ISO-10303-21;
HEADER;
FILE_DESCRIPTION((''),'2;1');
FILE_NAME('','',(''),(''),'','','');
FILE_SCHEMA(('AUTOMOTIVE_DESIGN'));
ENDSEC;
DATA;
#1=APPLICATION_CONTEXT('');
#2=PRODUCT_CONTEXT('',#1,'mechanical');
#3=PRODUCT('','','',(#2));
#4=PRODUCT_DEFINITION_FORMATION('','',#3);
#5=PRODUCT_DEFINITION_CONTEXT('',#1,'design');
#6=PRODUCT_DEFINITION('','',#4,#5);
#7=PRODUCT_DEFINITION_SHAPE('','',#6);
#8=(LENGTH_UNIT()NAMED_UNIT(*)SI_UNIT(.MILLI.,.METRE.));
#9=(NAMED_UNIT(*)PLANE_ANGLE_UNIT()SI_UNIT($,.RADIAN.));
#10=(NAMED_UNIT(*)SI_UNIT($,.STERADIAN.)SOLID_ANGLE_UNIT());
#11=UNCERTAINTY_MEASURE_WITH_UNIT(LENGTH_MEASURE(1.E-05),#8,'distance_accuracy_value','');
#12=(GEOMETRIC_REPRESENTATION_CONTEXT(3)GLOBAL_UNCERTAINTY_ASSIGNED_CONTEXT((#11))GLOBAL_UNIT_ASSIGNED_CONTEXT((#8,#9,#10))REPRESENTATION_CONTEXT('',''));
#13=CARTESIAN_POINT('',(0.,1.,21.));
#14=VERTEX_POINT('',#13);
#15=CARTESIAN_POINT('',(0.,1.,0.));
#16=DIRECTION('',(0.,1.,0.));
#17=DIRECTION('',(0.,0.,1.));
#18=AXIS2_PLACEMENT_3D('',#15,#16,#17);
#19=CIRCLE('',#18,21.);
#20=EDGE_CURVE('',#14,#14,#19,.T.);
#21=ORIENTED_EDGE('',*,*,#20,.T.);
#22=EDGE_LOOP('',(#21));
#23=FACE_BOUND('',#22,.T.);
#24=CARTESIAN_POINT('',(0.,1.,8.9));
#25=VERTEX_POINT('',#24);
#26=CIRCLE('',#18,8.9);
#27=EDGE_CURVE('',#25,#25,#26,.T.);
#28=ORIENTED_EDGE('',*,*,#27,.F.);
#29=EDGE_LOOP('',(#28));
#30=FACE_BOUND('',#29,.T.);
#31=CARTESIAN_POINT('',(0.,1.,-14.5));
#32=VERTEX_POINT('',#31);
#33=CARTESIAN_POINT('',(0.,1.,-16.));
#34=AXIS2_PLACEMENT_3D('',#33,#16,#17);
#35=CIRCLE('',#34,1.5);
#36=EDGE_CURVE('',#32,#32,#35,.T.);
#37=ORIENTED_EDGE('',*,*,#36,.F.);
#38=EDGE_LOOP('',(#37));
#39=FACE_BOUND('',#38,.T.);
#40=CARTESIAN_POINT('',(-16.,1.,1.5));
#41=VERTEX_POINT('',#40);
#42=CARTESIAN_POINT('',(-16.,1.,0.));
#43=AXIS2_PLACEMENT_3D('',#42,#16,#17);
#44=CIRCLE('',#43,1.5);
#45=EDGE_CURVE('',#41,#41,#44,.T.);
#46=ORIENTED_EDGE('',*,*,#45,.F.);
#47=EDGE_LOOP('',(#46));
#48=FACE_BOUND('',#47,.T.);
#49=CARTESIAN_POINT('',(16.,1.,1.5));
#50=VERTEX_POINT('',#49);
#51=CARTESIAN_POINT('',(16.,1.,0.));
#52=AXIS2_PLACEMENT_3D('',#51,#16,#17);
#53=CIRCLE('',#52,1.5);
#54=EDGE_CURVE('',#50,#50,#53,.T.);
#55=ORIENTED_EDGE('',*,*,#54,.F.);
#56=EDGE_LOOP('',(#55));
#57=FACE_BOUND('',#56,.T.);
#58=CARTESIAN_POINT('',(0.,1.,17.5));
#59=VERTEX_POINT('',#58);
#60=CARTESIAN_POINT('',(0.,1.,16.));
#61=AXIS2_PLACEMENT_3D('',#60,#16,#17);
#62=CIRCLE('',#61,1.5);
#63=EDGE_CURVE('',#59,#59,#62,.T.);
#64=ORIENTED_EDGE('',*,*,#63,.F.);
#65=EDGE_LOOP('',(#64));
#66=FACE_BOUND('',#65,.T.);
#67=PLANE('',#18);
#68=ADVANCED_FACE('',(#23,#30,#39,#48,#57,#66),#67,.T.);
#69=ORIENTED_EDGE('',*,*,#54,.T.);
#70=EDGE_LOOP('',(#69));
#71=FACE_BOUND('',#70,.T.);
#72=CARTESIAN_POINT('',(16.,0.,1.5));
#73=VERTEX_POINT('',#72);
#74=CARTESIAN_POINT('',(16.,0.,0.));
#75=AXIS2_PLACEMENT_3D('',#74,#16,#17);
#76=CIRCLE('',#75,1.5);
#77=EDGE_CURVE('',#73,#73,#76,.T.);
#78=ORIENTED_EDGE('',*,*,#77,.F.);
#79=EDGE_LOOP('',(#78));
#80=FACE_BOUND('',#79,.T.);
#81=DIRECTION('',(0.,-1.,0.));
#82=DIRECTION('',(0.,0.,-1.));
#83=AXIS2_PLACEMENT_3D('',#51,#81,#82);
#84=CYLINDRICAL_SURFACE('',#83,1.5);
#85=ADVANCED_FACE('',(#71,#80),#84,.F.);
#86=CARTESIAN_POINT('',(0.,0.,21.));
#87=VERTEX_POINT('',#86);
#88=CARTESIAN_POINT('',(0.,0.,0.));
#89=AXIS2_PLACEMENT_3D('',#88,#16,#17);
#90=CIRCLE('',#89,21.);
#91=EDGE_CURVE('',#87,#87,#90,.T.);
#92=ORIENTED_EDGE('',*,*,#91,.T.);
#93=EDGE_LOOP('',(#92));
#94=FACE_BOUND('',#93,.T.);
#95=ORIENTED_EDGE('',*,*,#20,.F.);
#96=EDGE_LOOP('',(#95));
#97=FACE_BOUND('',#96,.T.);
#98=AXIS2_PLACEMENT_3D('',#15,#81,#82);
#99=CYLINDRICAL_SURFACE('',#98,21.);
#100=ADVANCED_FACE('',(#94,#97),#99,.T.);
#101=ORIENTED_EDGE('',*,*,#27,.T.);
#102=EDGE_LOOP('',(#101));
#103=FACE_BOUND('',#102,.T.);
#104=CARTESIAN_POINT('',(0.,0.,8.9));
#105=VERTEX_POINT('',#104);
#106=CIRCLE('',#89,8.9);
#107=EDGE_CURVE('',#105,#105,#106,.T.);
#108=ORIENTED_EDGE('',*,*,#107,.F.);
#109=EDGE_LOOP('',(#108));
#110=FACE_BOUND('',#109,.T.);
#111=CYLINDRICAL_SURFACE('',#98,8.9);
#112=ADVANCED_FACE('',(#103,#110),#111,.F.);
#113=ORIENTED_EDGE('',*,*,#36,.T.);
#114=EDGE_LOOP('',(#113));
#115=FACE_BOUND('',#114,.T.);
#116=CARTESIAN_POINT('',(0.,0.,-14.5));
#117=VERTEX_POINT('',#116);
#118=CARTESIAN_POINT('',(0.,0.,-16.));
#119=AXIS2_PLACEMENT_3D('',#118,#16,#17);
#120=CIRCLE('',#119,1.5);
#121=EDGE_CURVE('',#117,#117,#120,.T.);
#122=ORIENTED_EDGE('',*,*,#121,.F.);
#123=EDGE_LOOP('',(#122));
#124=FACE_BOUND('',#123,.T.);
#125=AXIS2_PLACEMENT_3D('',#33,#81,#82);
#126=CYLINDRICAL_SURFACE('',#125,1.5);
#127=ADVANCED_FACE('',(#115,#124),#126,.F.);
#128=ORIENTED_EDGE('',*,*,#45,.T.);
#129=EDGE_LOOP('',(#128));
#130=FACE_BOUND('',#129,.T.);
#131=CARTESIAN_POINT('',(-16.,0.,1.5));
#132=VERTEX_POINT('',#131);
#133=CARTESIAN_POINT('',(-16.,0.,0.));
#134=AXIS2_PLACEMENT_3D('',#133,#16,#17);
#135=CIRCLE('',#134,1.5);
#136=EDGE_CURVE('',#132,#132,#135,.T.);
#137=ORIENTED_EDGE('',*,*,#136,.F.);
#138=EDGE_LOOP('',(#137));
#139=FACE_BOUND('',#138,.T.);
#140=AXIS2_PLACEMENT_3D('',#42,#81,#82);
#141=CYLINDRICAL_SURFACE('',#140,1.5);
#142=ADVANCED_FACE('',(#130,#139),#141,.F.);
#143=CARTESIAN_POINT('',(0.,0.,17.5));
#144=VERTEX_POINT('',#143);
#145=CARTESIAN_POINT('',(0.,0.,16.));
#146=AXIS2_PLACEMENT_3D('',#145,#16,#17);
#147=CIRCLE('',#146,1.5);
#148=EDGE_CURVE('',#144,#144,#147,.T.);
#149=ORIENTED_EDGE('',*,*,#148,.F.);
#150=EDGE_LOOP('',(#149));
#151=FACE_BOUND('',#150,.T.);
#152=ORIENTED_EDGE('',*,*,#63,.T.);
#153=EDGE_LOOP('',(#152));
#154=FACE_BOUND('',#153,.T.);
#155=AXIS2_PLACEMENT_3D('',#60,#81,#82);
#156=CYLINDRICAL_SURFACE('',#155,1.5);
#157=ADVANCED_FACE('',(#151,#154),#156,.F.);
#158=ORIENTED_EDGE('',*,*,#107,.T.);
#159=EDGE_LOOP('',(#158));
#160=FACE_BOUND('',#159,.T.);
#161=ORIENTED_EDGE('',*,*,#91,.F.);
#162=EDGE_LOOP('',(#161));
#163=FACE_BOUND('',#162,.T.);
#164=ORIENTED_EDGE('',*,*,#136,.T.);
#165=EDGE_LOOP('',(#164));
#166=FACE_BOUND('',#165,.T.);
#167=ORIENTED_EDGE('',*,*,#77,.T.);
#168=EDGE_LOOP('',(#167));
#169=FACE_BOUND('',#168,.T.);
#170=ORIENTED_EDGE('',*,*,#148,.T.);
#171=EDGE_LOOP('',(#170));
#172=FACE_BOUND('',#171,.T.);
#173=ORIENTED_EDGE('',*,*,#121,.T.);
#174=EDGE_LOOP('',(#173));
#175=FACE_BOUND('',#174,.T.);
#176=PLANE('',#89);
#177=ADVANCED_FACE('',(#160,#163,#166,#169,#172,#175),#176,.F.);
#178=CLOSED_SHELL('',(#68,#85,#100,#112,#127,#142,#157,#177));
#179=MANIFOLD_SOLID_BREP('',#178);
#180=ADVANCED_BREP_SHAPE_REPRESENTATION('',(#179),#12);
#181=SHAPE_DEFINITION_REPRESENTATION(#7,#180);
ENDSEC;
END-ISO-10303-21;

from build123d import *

# Parameters (mm, degrees)
SKETCH1_R           = 21
SKETCH1_R_2         = 8.9
SKETCH1_R_3         = 1.5
BOSS_EXTRUDE1_DEPTH = 1


with BuildPart() as part:
    # Sketch1 → Boss-Extrude1 (new body)
    with BuildSketch(Plane(origin=(0, 0, 0), x_dir=(1, 0, 0), z_dir=(0, 1, 0))):
        with Locations(Location((0, 0, 0), (0, 0, 270))):
            Circle(SKETCH1_R)
        with Locations(Location((0, 0, 0), (0, 0, 270))):
            Circle(SKETCH1_R_2, mode=Mode.SUBTRACT)
        with Locations(Location((0, 16, 0), (0, 0, 270))):
            Circle(SKETCH1_R_3, mode=Mode.SUBTRACT)
        with Locations(Location((16, 0, 0), (0, 0, 270))):
            Circle(SKETCH1_R_3, mode=Mode.SUBTRACT)
        with Locations(Location((0, -16, 0), (0, 0, 270))):
            Circle(SKETCH1_R_3, mode=Mode.SUBTRACT)
        with Locations(Location((-16, 0, 0), (0, 0, 270))):
            Circle(SKETCH1_R_3, mode=Mode.SUBTRACT)
    extrude(amount=BOSS_EXTRUDE1_DEPTH)


solid = part.part
